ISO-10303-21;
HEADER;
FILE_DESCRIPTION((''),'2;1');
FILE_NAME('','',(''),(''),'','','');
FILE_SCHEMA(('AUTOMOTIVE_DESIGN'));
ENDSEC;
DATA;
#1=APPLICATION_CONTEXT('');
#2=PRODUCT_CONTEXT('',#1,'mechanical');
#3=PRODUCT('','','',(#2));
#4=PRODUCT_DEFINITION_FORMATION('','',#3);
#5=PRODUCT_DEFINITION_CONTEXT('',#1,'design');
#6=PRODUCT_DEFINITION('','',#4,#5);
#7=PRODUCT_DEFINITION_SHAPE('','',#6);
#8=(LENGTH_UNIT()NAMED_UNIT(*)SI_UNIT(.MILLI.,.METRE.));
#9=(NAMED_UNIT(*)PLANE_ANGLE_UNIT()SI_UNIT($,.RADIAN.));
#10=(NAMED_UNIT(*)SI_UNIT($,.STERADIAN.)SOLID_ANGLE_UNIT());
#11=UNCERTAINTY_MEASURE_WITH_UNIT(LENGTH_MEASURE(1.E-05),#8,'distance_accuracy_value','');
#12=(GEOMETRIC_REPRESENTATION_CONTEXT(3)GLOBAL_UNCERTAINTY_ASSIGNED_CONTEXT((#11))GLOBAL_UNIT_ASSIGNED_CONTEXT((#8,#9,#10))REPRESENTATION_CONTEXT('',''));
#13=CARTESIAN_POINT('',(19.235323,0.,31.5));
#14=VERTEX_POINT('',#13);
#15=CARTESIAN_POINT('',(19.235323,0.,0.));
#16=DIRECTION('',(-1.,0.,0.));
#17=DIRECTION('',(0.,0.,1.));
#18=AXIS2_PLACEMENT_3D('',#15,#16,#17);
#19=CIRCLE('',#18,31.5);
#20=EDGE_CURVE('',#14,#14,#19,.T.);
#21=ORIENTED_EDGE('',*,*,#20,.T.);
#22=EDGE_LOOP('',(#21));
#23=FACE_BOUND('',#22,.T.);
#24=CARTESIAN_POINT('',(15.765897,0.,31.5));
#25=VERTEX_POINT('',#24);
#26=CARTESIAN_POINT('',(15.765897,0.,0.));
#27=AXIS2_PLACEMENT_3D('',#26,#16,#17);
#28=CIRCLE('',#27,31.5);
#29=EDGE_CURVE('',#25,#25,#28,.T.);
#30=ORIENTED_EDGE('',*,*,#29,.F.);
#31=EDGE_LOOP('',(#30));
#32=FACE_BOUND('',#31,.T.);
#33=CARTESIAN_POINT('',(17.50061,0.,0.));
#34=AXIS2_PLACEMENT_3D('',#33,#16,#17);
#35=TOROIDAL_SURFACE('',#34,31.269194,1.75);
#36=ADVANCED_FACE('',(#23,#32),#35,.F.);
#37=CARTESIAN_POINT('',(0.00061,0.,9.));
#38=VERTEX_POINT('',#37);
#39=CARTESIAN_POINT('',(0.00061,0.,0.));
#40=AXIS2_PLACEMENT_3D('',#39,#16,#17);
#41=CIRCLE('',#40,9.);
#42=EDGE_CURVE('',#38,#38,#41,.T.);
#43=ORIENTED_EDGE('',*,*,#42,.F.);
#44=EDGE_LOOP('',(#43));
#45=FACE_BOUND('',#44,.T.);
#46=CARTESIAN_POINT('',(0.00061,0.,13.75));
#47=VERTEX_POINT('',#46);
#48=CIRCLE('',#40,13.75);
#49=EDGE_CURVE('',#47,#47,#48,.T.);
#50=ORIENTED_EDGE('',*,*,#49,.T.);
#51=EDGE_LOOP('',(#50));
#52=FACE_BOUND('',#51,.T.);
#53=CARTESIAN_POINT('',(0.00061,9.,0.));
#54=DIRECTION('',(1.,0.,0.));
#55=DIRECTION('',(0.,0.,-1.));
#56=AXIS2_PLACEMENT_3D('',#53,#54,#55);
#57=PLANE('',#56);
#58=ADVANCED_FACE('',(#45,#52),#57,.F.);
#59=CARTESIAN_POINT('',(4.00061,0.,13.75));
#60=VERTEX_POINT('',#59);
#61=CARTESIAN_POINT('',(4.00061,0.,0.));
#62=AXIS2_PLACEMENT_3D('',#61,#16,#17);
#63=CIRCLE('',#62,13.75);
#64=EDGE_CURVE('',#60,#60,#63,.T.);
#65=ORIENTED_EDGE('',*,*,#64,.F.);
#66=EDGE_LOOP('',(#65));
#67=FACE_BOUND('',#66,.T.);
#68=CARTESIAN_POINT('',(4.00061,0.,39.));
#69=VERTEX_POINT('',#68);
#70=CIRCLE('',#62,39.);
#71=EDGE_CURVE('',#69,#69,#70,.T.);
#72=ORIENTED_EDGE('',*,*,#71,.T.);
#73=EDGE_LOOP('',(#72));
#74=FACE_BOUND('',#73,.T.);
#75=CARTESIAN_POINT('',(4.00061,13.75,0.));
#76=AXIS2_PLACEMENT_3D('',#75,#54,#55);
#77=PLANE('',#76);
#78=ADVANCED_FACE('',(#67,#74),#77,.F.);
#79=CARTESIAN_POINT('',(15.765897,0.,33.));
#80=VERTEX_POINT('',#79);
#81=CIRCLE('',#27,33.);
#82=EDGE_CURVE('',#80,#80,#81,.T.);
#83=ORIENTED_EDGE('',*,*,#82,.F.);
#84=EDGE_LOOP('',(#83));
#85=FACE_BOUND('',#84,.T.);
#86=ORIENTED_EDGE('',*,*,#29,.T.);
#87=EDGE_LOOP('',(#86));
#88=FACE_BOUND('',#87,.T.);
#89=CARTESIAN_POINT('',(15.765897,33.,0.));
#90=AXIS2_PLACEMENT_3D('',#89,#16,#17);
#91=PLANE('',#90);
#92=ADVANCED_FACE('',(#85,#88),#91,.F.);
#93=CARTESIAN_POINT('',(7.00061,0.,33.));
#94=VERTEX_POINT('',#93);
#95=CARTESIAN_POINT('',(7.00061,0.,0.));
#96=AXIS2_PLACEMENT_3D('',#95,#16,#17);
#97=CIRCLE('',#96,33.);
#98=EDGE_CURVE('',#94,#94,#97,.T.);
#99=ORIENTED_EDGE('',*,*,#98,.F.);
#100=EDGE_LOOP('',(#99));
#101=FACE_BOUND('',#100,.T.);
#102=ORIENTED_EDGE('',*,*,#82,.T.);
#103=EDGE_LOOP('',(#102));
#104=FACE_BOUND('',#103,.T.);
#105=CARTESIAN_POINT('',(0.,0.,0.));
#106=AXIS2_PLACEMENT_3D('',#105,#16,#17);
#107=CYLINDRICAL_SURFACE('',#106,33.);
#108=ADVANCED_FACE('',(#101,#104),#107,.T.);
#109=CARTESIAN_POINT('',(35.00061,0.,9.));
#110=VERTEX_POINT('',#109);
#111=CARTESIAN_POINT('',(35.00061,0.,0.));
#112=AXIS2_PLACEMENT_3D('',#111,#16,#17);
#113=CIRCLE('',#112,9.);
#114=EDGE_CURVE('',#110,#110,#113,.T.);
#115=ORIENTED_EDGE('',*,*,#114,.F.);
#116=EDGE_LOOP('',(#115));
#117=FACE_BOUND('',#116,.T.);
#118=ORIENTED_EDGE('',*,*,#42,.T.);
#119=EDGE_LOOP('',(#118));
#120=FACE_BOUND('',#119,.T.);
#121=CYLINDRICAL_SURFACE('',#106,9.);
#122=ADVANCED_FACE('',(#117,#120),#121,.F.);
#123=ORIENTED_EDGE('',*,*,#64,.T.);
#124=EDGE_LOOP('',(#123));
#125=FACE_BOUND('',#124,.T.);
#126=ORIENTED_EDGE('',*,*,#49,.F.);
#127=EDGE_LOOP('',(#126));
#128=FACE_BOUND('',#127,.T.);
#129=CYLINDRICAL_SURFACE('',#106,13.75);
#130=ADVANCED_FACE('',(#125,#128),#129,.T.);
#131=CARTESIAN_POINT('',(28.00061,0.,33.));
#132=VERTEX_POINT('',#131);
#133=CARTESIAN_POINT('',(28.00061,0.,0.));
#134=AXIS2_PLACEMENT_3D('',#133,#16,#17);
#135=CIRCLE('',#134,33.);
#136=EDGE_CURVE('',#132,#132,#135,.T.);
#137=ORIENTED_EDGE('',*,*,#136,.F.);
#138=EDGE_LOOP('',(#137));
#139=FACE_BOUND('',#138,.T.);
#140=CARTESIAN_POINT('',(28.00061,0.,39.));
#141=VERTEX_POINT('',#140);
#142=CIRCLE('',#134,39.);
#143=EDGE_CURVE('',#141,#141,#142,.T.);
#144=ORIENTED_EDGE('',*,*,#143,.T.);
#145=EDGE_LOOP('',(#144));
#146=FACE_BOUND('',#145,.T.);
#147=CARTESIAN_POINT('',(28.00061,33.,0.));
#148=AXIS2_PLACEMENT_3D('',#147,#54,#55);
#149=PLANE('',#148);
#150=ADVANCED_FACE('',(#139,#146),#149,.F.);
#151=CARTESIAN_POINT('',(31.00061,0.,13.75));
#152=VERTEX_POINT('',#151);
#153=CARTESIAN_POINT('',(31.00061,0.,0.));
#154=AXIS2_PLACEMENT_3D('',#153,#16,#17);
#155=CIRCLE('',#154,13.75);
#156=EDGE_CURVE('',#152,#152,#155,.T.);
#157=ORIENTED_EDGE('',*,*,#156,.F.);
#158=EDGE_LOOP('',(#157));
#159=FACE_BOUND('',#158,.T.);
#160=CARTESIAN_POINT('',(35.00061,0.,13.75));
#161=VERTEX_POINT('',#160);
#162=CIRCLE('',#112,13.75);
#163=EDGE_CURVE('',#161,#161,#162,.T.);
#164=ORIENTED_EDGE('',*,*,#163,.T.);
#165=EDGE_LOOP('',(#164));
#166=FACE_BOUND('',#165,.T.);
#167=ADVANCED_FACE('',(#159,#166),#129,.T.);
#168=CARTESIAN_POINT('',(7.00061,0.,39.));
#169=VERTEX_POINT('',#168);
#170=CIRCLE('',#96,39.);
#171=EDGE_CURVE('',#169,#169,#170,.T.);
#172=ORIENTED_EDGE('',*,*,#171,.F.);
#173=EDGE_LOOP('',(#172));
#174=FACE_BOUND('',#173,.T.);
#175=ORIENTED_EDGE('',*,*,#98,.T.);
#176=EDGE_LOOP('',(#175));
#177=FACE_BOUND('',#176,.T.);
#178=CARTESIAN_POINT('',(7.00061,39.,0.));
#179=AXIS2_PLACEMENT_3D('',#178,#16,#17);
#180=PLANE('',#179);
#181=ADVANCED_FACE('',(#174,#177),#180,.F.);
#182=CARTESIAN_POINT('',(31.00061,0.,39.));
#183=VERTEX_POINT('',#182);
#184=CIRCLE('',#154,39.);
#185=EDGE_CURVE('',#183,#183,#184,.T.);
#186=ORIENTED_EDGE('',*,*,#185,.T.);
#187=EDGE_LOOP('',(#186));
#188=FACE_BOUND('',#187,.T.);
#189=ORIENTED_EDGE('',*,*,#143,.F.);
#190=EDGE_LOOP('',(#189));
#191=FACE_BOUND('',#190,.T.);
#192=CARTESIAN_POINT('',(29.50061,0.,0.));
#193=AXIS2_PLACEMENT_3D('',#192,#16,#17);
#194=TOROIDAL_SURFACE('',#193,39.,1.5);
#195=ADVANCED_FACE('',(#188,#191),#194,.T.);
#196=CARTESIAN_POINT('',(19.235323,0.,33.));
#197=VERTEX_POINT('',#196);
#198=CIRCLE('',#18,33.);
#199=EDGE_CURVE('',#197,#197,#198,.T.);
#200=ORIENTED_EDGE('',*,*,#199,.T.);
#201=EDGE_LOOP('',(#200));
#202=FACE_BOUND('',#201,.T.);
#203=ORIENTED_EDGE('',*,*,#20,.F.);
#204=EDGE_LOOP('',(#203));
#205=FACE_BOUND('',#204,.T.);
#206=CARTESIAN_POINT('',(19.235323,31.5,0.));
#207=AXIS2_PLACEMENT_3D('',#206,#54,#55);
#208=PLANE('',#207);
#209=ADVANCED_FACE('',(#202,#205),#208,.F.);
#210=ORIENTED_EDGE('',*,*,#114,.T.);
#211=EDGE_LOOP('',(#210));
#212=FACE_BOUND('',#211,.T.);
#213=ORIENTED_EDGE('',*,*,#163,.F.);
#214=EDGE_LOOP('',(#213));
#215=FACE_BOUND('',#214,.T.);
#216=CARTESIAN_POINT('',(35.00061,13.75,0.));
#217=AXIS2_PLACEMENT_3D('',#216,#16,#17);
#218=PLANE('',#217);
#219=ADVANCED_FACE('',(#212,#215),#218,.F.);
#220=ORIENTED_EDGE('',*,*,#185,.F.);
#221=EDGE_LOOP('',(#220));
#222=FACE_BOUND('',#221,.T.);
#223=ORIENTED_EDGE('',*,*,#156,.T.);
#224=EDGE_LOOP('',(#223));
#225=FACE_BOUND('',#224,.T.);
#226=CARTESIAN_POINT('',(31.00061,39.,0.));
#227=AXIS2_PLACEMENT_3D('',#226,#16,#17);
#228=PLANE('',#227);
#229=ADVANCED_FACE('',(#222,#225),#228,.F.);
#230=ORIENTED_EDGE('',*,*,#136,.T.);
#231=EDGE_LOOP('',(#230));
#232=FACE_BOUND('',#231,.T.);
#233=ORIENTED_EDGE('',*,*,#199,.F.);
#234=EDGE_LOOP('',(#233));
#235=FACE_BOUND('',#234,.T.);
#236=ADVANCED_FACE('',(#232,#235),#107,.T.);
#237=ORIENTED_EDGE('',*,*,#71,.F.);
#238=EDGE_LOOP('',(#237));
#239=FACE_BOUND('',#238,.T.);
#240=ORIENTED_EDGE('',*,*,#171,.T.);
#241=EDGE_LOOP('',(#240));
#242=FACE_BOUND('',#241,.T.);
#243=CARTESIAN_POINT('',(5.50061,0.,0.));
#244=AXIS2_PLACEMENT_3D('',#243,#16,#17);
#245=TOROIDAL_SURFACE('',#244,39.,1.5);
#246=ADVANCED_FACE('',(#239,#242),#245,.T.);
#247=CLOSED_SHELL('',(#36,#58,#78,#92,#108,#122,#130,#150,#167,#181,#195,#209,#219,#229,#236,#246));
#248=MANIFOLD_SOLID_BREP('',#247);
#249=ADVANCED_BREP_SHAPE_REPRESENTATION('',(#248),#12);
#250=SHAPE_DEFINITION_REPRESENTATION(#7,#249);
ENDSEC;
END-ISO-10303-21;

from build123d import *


with BuildPart() as part:
    # Çizim1 → Döndür1 (revolve)
    with BuildSketch(Plane.XY, mode=Mode.PRIVATE) as d_nd_r1_sk:
        with BuildLine():
            Line((0.000609889, 8.999999979), (0.000609889, 13.749999986))
            Line((0.000609889, 13.749999986), (4.000609889, 13.749999986))
            Line((4.000609889, 13.749999986), (4.000609889, 39))
            ThreePointArc((4.000609889, 39), (5.500609889, 40.5), (7.000609889, 39))
            Line((7.000609889, 39), (7.000609889, 33))
            Line((7.000609889, 33), (15.765897066, 33))
            Line((15.765897066, 33), (15.765897066, 31.5))
            ThreePointArc((15.765897066, 31.5), (17.500609889, 29.51919397), (19.235322712, 31.5))
            Line((19.235322712, 31.5), (19.235322712, 33))
            Line((19.235322712, 33), (28.000609889, 33))
            Line((28.000609889, 33), (28.000609889, 39))
            ThreePointArc((28.000609889, 39), (29.500609889, 40.5), (31.000609889, 39))
            Line((31.000609889, 39), (31.000609889, 13.749999986))
            Line((31.000609889, 13.749999986), (35.000609889, 13.749999986))
            Line((35.000609889, 13.749999986), (35.000609889, 8.999999979))
            Line((35.000609889, 8.999999979), (0.000609889, 8.999999979))
        make_face()
    revolve(d_nd_r1_sk.sketch.rotate(Axis((0, 0, 0), (1, 0, 0)), 90), axis=Axis((0, 0, 0), (1, 0, 0)))


solid = part.part
